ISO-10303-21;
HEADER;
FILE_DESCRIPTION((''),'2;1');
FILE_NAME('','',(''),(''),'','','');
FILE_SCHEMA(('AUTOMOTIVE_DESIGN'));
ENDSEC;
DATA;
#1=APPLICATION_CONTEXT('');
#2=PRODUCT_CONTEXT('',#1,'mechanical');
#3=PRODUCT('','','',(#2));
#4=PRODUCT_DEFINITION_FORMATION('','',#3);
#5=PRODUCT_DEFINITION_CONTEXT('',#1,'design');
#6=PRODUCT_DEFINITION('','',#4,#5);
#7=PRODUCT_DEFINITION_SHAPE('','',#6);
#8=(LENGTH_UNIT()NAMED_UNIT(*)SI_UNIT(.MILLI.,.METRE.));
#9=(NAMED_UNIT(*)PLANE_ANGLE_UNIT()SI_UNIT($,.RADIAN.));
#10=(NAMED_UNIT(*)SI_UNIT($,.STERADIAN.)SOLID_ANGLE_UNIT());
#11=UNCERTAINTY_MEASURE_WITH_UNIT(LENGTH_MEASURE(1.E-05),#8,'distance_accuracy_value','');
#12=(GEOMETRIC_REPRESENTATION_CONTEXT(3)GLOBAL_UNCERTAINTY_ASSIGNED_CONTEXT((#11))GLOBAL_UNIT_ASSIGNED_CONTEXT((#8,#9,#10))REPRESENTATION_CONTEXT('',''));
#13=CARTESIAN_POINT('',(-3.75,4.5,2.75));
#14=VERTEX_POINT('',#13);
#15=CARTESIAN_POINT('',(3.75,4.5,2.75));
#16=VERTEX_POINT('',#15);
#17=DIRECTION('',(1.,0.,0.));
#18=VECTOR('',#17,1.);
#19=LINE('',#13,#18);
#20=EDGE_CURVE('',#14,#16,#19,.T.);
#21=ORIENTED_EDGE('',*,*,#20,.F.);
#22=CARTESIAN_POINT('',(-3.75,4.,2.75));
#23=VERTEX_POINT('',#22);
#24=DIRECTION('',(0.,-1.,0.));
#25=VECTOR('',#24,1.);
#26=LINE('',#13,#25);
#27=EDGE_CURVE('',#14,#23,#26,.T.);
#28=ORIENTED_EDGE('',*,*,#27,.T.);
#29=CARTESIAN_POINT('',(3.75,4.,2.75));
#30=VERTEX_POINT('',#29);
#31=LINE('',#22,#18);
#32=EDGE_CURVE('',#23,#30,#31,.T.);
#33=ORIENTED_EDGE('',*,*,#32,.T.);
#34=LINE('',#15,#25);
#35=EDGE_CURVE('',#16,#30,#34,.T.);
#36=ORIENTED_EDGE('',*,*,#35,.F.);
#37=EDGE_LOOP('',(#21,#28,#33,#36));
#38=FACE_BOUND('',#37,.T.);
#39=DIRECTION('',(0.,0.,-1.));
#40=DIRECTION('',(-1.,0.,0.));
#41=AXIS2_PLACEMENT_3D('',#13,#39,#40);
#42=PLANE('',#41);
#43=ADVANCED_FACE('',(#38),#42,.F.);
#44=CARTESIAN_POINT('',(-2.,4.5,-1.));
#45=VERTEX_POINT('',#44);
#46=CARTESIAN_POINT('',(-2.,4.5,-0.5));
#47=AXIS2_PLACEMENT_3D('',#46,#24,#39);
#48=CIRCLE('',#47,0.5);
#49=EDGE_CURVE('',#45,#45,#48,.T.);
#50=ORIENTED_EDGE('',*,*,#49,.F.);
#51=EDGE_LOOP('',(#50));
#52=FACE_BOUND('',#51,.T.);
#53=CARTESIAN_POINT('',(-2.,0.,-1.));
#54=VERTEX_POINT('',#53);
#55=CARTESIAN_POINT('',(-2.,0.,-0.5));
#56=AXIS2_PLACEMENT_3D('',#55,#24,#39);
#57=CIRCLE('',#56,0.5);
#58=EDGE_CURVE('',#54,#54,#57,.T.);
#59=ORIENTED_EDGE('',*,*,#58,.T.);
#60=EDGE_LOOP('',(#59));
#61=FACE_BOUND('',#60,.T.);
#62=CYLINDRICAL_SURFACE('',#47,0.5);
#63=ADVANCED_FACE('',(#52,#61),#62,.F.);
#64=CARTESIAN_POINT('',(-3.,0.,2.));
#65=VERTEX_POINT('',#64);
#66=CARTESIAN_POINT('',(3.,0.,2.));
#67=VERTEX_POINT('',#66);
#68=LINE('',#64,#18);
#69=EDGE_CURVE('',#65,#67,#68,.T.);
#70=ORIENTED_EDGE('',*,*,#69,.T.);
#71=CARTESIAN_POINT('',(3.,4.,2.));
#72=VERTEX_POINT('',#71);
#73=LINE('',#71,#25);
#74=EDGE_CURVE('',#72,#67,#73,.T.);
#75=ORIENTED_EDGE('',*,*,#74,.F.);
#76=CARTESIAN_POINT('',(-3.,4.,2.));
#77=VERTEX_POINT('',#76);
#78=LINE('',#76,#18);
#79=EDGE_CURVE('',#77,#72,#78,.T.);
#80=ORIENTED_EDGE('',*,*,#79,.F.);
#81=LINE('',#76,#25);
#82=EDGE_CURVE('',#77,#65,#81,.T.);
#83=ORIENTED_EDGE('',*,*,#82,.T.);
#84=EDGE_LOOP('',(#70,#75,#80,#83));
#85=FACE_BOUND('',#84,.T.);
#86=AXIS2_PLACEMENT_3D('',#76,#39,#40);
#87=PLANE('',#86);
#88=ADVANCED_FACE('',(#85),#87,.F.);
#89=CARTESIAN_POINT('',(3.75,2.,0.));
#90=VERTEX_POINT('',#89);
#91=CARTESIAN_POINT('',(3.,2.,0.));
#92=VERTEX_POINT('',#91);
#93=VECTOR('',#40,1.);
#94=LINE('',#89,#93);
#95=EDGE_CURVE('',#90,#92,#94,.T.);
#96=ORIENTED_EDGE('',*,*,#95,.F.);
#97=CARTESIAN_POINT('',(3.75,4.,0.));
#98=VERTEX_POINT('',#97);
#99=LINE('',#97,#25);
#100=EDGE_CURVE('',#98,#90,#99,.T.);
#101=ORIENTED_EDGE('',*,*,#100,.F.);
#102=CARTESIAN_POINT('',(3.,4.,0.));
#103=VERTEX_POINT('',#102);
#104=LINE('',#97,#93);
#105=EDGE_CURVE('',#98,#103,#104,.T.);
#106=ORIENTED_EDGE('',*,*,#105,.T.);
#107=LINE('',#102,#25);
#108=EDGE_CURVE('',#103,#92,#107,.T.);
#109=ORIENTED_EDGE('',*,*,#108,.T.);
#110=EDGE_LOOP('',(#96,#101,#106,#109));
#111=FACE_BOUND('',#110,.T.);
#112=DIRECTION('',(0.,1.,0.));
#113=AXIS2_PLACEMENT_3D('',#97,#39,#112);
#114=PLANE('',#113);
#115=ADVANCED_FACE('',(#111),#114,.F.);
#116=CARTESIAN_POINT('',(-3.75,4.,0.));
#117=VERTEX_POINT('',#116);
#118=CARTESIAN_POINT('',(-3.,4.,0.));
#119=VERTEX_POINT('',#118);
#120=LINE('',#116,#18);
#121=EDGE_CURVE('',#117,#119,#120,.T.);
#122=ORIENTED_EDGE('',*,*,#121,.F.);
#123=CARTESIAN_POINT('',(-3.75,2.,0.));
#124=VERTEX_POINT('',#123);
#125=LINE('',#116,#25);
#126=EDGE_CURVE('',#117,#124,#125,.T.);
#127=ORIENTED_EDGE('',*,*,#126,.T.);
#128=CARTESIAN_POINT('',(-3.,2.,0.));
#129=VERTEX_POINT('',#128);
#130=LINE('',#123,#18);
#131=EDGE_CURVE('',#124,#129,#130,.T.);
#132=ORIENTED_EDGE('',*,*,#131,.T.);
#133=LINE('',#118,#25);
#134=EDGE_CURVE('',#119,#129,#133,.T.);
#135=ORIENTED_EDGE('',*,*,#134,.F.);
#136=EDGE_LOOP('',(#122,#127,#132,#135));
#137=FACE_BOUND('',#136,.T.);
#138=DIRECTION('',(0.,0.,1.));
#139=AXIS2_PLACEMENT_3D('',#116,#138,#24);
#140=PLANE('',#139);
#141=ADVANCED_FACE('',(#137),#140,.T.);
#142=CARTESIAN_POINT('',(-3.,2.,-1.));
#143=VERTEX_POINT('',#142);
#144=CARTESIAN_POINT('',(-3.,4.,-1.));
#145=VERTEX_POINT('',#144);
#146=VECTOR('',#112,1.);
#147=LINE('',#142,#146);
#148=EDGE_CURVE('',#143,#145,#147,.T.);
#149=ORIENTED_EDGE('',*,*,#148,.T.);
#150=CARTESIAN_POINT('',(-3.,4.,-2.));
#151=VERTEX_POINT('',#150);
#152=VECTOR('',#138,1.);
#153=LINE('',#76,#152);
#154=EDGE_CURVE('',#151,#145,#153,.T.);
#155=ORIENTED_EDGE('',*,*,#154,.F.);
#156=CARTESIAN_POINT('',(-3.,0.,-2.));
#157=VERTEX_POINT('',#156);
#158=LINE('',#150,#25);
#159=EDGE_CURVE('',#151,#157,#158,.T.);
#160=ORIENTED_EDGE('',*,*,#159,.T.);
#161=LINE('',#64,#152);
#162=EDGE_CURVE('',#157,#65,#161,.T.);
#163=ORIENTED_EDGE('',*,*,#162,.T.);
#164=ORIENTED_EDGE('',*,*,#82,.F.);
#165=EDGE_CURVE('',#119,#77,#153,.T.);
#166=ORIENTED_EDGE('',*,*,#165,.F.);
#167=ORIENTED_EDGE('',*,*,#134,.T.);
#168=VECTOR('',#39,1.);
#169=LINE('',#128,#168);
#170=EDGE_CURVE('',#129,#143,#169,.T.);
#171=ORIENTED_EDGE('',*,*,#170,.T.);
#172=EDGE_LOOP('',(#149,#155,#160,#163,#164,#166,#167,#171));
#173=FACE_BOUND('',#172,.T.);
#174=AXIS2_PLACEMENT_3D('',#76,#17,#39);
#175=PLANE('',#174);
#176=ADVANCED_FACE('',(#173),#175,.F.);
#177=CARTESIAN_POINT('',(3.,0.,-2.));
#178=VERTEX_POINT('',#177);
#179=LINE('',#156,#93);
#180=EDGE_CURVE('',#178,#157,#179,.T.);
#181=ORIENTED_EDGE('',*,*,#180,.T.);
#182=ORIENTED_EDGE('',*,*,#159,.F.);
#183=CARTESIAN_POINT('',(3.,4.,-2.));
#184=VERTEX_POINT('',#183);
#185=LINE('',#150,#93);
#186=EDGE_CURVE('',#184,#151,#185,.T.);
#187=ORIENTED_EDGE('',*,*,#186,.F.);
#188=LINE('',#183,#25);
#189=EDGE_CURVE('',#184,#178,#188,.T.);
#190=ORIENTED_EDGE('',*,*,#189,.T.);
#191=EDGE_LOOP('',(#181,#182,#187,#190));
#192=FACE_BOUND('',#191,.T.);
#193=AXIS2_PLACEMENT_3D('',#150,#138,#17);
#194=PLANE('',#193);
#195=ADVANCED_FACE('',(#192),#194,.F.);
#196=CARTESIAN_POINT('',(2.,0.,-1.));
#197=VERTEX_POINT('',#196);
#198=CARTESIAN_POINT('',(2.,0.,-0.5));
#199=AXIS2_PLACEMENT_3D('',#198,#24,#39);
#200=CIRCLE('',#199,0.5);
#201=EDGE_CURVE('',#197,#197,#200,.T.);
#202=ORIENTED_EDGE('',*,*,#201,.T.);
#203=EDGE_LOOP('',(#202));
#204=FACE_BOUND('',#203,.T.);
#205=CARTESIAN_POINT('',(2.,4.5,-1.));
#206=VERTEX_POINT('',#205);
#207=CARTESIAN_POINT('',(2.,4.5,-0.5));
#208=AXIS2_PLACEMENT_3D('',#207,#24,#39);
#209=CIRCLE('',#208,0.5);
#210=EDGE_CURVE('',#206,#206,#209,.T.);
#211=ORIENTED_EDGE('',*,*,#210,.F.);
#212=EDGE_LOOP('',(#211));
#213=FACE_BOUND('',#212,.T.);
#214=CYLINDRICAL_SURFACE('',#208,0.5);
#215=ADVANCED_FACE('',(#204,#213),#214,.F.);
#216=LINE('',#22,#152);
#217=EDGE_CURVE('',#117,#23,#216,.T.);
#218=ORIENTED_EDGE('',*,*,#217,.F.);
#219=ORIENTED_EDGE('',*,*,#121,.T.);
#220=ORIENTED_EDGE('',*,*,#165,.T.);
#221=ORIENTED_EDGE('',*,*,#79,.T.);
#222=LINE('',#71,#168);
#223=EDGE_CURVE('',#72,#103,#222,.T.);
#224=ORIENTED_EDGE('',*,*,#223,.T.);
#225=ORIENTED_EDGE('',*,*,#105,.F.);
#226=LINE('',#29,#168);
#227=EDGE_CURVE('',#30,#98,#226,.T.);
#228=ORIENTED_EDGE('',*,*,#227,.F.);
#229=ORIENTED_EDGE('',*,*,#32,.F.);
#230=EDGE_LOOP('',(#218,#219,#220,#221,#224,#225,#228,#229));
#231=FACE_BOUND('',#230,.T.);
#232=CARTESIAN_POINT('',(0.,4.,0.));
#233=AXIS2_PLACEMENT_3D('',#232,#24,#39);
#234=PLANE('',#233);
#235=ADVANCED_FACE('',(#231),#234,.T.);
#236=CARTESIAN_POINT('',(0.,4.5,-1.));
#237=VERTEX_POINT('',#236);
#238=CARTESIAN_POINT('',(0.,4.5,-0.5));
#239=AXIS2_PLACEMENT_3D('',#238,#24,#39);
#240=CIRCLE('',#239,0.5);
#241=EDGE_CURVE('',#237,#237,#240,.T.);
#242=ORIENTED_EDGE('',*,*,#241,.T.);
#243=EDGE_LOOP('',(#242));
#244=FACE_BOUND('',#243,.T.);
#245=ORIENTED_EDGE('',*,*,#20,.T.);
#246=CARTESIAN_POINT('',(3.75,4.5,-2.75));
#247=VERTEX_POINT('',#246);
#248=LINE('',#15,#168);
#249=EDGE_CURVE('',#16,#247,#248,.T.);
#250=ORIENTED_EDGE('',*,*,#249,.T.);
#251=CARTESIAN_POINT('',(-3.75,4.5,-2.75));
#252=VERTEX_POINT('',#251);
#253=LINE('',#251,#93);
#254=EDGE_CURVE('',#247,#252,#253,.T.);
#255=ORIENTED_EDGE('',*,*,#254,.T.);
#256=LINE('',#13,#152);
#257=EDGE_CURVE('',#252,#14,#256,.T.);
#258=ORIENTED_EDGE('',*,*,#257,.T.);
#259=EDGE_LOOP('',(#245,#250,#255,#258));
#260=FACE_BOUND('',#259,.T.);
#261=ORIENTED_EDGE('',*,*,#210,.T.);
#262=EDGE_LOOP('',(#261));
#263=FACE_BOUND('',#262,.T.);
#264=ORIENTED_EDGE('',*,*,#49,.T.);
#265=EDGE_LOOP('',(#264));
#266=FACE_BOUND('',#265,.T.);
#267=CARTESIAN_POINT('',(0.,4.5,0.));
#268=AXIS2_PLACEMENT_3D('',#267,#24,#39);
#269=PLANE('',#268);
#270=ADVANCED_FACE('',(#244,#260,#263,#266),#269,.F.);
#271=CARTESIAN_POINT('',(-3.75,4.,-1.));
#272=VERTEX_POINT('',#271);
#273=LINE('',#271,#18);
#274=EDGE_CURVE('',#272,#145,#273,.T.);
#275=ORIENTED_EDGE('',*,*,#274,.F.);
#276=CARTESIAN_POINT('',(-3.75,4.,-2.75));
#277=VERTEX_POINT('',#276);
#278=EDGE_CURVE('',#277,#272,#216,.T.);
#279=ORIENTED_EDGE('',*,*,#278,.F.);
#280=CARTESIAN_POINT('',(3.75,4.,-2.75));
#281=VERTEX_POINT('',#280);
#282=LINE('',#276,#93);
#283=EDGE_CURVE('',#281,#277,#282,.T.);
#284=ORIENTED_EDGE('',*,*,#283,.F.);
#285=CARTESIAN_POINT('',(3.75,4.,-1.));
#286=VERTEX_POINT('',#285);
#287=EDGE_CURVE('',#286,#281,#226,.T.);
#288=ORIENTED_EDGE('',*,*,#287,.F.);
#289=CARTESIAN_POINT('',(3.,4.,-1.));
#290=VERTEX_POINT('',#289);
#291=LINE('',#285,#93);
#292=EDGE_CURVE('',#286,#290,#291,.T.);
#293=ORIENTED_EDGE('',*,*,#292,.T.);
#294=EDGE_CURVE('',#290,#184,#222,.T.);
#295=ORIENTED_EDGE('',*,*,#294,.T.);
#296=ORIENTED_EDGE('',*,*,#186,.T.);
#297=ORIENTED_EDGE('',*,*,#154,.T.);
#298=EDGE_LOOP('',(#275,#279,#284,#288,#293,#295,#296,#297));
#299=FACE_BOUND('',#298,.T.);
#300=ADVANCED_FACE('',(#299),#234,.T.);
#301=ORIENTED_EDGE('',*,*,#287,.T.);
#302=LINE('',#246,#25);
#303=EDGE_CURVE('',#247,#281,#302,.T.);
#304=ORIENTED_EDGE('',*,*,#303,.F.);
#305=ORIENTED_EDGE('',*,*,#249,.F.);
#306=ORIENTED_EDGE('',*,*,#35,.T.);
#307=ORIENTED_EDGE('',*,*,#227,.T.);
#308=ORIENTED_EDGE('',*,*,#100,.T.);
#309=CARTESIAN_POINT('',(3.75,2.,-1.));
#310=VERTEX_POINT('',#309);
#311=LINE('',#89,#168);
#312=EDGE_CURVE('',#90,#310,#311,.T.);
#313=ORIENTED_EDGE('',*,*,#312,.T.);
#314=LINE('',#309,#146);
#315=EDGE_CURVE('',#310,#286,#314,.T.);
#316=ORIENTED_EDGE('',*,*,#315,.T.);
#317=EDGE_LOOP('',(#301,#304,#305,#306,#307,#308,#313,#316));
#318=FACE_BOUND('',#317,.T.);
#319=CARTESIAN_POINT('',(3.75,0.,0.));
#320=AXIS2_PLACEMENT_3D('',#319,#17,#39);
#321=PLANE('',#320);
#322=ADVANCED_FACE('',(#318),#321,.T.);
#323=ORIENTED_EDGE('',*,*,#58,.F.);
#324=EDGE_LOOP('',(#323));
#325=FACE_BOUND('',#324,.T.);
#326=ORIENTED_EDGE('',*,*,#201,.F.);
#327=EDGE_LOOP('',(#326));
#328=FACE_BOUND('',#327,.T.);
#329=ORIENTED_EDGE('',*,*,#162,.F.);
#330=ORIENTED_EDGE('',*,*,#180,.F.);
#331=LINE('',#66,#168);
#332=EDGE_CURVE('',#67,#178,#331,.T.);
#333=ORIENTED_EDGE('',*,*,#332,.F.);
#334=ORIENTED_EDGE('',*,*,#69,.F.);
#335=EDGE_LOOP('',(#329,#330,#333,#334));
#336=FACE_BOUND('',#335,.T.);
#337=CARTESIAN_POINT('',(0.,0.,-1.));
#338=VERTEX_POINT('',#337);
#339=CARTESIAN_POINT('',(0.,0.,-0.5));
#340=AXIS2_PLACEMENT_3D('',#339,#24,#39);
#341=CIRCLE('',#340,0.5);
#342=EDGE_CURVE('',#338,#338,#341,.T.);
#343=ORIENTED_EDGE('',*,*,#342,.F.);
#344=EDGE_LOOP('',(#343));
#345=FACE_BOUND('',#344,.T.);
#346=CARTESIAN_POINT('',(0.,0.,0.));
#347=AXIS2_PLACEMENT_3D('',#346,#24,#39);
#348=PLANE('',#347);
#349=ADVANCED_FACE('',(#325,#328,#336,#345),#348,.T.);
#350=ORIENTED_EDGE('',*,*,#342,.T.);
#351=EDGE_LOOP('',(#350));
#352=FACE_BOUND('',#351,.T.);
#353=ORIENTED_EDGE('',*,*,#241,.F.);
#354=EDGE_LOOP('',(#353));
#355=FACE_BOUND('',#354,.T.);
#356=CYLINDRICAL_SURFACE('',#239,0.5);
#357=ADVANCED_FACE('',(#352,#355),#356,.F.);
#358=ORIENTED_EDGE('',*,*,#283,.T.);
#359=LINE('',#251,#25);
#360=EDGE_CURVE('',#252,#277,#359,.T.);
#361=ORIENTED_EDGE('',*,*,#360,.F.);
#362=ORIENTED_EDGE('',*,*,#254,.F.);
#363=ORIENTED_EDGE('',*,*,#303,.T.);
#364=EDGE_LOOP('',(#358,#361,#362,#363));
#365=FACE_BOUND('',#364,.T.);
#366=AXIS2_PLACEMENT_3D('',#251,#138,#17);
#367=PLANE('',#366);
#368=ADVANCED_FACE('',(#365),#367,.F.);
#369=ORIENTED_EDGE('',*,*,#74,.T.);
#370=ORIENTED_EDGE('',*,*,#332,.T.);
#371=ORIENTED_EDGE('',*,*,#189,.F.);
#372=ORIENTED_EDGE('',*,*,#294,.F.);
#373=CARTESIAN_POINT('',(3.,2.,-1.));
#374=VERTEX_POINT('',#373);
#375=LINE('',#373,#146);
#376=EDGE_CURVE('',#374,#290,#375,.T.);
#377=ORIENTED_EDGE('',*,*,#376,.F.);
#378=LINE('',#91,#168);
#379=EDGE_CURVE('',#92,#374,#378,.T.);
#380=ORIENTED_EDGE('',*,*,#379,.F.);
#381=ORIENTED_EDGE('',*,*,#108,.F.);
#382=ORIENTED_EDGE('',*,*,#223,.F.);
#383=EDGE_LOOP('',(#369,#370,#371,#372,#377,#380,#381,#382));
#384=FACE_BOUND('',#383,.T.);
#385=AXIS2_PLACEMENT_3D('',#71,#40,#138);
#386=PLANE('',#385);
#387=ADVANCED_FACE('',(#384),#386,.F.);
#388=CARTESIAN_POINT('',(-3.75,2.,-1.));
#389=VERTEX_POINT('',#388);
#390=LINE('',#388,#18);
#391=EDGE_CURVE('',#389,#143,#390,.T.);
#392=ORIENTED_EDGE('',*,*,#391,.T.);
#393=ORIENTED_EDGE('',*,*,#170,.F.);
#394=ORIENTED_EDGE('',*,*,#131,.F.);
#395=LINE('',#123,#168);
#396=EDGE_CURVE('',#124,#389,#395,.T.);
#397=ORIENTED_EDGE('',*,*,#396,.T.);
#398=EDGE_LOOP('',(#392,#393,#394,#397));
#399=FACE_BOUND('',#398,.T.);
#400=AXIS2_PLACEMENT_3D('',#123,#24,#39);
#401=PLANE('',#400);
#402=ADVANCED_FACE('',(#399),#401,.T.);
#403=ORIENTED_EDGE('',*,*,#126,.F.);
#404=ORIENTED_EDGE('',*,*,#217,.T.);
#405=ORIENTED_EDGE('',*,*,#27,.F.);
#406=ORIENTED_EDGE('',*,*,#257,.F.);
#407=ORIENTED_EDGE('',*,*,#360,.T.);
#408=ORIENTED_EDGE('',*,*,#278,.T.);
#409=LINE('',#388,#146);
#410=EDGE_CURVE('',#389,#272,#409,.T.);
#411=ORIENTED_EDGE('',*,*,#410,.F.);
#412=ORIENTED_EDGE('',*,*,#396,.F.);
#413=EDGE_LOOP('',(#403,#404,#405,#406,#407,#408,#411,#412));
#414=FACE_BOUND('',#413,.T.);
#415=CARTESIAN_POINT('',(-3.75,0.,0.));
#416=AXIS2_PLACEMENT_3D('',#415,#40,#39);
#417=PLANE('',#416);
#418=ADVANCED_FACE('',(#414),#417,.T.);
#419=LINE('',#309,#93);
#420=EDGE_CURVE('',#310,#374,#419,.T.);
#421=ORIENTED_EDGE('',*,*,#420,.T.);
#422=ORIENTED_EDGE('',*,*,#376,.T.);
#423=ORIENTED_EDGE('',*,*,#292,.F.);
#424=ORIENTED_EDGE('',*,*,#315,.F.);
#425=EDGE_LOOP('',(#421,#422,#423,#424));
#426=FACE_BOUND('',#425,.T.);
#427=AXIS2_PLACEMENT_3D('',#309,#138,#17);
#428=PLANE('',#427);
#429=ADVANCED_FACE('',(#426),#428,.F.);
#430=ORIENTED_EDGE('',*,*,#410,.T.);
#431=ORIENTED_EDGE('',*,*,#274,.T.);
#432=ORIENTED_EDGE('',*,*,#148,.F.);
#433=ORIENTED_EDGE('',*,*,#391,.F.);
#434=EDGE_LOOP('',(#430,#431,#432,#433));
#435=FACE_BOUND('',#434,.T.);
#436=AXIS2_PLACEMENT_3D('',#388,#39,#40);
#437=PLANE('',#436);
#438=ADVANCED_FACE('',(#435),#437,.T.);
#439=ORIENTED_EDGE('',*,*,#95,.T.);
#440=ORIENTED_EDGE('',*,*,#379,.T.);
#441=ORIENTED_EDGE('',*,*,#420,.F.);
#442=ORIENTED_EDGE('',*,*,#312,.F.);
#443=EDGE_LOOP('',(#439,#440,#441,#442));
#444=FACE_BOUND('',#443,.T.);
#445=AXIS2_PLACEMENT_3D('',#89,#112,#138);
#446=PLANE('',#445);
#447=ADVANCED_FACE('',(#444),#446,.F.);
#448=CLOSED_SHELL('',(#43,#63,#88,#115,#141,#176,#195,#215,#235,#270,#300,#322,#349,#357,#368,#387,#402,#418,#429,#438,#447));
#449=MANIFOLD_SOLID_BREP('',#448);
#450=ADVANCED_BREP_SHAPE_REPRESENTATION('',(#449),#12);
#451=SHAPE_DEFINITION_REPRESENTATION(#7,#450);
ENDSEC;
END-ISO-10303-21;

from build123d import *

# Parameters (mm, degrees)
SKETCH1_W           = 6
SKETCH1_H           = 4
BOSS_EXTRUDE1_DEPTH = 4
SKETCH2_W           = 1
SKETCH2_H           = 2
BOSS_EXTRUDE2_DEPTH = 0.75
SKETCH3_W           = 7.5
SKETCH3_H           = 5.5
BOSS_EXTRUDE3_DEPTH = 0.5
SKETCH4_R           = 0.5
CUT_EXTRUDE1_DEPTH  = 7.471089553


with BuildPart() as part:
    # Sketch1 → Boss-Extrude1 (new body)
    with BuildSketch(Plane(origin=(0, 0, 0), x_dir=(1, 0, 0), z_dir=(0, 1, 0))):
        Rectangle(SKETCH1_W, SKETCH1_H)
    extrude(amount=BOSS_EXTRUDE1_DEPTH)

    # Sketch2 → Boss-Extrude2 (add)
    with BuildSketch(Plane(origin=(3, 0, 0), x_dir=(0, 0, -1), z_dir=(1, 0, 0))):
        with Locations((0.5, 3)):
            Rectangle(SKETCH2_W, SKETCH2_H)
    boss_extrude2 = extrude(amount=BOSS_EXTRUDE2_DEPTH)

    # Mirror1: Boss-Extrude2 across plane
    add(boss_extrude2.mirror(Plane(origin=(0, 0, 0), x_dir=(0, 0, 1), z_dir=(1, 0, 0))))

    # Sketch3 → Boss-Extrude3 (add)
    with BuildSketch(Plane(origin=(0, 4, 0), x_dir=(1, 0, 0), z_dir=(0, 1, 0))):
        Rectangle(SKETCH3_W, SKETCH3_H)
    extrude(amount=BOSS_EXTRUDE3_DEPTH)

    # Sketch4 → Cut-Extrude1 (cut, through all)
    with BuildSketch(Plane.XZ):
        with Locations(Location((-2, -0.5, 0), (0, 0, 270))):
            Circle(SKETCH4_R)
        with Locations(Location((0, -0.5, 0), (0, 0, 270))):
            Circle(SKETCH4_R)
        with Locations(Location((2, -0.5, 0), (0, 0, 270))):
            Circle(SKETCH4_R)
    extrude(amount=-CUT_EXTRUDE1_DEPTH, mode=Mode.SUBTRACT)


solid = part.part
